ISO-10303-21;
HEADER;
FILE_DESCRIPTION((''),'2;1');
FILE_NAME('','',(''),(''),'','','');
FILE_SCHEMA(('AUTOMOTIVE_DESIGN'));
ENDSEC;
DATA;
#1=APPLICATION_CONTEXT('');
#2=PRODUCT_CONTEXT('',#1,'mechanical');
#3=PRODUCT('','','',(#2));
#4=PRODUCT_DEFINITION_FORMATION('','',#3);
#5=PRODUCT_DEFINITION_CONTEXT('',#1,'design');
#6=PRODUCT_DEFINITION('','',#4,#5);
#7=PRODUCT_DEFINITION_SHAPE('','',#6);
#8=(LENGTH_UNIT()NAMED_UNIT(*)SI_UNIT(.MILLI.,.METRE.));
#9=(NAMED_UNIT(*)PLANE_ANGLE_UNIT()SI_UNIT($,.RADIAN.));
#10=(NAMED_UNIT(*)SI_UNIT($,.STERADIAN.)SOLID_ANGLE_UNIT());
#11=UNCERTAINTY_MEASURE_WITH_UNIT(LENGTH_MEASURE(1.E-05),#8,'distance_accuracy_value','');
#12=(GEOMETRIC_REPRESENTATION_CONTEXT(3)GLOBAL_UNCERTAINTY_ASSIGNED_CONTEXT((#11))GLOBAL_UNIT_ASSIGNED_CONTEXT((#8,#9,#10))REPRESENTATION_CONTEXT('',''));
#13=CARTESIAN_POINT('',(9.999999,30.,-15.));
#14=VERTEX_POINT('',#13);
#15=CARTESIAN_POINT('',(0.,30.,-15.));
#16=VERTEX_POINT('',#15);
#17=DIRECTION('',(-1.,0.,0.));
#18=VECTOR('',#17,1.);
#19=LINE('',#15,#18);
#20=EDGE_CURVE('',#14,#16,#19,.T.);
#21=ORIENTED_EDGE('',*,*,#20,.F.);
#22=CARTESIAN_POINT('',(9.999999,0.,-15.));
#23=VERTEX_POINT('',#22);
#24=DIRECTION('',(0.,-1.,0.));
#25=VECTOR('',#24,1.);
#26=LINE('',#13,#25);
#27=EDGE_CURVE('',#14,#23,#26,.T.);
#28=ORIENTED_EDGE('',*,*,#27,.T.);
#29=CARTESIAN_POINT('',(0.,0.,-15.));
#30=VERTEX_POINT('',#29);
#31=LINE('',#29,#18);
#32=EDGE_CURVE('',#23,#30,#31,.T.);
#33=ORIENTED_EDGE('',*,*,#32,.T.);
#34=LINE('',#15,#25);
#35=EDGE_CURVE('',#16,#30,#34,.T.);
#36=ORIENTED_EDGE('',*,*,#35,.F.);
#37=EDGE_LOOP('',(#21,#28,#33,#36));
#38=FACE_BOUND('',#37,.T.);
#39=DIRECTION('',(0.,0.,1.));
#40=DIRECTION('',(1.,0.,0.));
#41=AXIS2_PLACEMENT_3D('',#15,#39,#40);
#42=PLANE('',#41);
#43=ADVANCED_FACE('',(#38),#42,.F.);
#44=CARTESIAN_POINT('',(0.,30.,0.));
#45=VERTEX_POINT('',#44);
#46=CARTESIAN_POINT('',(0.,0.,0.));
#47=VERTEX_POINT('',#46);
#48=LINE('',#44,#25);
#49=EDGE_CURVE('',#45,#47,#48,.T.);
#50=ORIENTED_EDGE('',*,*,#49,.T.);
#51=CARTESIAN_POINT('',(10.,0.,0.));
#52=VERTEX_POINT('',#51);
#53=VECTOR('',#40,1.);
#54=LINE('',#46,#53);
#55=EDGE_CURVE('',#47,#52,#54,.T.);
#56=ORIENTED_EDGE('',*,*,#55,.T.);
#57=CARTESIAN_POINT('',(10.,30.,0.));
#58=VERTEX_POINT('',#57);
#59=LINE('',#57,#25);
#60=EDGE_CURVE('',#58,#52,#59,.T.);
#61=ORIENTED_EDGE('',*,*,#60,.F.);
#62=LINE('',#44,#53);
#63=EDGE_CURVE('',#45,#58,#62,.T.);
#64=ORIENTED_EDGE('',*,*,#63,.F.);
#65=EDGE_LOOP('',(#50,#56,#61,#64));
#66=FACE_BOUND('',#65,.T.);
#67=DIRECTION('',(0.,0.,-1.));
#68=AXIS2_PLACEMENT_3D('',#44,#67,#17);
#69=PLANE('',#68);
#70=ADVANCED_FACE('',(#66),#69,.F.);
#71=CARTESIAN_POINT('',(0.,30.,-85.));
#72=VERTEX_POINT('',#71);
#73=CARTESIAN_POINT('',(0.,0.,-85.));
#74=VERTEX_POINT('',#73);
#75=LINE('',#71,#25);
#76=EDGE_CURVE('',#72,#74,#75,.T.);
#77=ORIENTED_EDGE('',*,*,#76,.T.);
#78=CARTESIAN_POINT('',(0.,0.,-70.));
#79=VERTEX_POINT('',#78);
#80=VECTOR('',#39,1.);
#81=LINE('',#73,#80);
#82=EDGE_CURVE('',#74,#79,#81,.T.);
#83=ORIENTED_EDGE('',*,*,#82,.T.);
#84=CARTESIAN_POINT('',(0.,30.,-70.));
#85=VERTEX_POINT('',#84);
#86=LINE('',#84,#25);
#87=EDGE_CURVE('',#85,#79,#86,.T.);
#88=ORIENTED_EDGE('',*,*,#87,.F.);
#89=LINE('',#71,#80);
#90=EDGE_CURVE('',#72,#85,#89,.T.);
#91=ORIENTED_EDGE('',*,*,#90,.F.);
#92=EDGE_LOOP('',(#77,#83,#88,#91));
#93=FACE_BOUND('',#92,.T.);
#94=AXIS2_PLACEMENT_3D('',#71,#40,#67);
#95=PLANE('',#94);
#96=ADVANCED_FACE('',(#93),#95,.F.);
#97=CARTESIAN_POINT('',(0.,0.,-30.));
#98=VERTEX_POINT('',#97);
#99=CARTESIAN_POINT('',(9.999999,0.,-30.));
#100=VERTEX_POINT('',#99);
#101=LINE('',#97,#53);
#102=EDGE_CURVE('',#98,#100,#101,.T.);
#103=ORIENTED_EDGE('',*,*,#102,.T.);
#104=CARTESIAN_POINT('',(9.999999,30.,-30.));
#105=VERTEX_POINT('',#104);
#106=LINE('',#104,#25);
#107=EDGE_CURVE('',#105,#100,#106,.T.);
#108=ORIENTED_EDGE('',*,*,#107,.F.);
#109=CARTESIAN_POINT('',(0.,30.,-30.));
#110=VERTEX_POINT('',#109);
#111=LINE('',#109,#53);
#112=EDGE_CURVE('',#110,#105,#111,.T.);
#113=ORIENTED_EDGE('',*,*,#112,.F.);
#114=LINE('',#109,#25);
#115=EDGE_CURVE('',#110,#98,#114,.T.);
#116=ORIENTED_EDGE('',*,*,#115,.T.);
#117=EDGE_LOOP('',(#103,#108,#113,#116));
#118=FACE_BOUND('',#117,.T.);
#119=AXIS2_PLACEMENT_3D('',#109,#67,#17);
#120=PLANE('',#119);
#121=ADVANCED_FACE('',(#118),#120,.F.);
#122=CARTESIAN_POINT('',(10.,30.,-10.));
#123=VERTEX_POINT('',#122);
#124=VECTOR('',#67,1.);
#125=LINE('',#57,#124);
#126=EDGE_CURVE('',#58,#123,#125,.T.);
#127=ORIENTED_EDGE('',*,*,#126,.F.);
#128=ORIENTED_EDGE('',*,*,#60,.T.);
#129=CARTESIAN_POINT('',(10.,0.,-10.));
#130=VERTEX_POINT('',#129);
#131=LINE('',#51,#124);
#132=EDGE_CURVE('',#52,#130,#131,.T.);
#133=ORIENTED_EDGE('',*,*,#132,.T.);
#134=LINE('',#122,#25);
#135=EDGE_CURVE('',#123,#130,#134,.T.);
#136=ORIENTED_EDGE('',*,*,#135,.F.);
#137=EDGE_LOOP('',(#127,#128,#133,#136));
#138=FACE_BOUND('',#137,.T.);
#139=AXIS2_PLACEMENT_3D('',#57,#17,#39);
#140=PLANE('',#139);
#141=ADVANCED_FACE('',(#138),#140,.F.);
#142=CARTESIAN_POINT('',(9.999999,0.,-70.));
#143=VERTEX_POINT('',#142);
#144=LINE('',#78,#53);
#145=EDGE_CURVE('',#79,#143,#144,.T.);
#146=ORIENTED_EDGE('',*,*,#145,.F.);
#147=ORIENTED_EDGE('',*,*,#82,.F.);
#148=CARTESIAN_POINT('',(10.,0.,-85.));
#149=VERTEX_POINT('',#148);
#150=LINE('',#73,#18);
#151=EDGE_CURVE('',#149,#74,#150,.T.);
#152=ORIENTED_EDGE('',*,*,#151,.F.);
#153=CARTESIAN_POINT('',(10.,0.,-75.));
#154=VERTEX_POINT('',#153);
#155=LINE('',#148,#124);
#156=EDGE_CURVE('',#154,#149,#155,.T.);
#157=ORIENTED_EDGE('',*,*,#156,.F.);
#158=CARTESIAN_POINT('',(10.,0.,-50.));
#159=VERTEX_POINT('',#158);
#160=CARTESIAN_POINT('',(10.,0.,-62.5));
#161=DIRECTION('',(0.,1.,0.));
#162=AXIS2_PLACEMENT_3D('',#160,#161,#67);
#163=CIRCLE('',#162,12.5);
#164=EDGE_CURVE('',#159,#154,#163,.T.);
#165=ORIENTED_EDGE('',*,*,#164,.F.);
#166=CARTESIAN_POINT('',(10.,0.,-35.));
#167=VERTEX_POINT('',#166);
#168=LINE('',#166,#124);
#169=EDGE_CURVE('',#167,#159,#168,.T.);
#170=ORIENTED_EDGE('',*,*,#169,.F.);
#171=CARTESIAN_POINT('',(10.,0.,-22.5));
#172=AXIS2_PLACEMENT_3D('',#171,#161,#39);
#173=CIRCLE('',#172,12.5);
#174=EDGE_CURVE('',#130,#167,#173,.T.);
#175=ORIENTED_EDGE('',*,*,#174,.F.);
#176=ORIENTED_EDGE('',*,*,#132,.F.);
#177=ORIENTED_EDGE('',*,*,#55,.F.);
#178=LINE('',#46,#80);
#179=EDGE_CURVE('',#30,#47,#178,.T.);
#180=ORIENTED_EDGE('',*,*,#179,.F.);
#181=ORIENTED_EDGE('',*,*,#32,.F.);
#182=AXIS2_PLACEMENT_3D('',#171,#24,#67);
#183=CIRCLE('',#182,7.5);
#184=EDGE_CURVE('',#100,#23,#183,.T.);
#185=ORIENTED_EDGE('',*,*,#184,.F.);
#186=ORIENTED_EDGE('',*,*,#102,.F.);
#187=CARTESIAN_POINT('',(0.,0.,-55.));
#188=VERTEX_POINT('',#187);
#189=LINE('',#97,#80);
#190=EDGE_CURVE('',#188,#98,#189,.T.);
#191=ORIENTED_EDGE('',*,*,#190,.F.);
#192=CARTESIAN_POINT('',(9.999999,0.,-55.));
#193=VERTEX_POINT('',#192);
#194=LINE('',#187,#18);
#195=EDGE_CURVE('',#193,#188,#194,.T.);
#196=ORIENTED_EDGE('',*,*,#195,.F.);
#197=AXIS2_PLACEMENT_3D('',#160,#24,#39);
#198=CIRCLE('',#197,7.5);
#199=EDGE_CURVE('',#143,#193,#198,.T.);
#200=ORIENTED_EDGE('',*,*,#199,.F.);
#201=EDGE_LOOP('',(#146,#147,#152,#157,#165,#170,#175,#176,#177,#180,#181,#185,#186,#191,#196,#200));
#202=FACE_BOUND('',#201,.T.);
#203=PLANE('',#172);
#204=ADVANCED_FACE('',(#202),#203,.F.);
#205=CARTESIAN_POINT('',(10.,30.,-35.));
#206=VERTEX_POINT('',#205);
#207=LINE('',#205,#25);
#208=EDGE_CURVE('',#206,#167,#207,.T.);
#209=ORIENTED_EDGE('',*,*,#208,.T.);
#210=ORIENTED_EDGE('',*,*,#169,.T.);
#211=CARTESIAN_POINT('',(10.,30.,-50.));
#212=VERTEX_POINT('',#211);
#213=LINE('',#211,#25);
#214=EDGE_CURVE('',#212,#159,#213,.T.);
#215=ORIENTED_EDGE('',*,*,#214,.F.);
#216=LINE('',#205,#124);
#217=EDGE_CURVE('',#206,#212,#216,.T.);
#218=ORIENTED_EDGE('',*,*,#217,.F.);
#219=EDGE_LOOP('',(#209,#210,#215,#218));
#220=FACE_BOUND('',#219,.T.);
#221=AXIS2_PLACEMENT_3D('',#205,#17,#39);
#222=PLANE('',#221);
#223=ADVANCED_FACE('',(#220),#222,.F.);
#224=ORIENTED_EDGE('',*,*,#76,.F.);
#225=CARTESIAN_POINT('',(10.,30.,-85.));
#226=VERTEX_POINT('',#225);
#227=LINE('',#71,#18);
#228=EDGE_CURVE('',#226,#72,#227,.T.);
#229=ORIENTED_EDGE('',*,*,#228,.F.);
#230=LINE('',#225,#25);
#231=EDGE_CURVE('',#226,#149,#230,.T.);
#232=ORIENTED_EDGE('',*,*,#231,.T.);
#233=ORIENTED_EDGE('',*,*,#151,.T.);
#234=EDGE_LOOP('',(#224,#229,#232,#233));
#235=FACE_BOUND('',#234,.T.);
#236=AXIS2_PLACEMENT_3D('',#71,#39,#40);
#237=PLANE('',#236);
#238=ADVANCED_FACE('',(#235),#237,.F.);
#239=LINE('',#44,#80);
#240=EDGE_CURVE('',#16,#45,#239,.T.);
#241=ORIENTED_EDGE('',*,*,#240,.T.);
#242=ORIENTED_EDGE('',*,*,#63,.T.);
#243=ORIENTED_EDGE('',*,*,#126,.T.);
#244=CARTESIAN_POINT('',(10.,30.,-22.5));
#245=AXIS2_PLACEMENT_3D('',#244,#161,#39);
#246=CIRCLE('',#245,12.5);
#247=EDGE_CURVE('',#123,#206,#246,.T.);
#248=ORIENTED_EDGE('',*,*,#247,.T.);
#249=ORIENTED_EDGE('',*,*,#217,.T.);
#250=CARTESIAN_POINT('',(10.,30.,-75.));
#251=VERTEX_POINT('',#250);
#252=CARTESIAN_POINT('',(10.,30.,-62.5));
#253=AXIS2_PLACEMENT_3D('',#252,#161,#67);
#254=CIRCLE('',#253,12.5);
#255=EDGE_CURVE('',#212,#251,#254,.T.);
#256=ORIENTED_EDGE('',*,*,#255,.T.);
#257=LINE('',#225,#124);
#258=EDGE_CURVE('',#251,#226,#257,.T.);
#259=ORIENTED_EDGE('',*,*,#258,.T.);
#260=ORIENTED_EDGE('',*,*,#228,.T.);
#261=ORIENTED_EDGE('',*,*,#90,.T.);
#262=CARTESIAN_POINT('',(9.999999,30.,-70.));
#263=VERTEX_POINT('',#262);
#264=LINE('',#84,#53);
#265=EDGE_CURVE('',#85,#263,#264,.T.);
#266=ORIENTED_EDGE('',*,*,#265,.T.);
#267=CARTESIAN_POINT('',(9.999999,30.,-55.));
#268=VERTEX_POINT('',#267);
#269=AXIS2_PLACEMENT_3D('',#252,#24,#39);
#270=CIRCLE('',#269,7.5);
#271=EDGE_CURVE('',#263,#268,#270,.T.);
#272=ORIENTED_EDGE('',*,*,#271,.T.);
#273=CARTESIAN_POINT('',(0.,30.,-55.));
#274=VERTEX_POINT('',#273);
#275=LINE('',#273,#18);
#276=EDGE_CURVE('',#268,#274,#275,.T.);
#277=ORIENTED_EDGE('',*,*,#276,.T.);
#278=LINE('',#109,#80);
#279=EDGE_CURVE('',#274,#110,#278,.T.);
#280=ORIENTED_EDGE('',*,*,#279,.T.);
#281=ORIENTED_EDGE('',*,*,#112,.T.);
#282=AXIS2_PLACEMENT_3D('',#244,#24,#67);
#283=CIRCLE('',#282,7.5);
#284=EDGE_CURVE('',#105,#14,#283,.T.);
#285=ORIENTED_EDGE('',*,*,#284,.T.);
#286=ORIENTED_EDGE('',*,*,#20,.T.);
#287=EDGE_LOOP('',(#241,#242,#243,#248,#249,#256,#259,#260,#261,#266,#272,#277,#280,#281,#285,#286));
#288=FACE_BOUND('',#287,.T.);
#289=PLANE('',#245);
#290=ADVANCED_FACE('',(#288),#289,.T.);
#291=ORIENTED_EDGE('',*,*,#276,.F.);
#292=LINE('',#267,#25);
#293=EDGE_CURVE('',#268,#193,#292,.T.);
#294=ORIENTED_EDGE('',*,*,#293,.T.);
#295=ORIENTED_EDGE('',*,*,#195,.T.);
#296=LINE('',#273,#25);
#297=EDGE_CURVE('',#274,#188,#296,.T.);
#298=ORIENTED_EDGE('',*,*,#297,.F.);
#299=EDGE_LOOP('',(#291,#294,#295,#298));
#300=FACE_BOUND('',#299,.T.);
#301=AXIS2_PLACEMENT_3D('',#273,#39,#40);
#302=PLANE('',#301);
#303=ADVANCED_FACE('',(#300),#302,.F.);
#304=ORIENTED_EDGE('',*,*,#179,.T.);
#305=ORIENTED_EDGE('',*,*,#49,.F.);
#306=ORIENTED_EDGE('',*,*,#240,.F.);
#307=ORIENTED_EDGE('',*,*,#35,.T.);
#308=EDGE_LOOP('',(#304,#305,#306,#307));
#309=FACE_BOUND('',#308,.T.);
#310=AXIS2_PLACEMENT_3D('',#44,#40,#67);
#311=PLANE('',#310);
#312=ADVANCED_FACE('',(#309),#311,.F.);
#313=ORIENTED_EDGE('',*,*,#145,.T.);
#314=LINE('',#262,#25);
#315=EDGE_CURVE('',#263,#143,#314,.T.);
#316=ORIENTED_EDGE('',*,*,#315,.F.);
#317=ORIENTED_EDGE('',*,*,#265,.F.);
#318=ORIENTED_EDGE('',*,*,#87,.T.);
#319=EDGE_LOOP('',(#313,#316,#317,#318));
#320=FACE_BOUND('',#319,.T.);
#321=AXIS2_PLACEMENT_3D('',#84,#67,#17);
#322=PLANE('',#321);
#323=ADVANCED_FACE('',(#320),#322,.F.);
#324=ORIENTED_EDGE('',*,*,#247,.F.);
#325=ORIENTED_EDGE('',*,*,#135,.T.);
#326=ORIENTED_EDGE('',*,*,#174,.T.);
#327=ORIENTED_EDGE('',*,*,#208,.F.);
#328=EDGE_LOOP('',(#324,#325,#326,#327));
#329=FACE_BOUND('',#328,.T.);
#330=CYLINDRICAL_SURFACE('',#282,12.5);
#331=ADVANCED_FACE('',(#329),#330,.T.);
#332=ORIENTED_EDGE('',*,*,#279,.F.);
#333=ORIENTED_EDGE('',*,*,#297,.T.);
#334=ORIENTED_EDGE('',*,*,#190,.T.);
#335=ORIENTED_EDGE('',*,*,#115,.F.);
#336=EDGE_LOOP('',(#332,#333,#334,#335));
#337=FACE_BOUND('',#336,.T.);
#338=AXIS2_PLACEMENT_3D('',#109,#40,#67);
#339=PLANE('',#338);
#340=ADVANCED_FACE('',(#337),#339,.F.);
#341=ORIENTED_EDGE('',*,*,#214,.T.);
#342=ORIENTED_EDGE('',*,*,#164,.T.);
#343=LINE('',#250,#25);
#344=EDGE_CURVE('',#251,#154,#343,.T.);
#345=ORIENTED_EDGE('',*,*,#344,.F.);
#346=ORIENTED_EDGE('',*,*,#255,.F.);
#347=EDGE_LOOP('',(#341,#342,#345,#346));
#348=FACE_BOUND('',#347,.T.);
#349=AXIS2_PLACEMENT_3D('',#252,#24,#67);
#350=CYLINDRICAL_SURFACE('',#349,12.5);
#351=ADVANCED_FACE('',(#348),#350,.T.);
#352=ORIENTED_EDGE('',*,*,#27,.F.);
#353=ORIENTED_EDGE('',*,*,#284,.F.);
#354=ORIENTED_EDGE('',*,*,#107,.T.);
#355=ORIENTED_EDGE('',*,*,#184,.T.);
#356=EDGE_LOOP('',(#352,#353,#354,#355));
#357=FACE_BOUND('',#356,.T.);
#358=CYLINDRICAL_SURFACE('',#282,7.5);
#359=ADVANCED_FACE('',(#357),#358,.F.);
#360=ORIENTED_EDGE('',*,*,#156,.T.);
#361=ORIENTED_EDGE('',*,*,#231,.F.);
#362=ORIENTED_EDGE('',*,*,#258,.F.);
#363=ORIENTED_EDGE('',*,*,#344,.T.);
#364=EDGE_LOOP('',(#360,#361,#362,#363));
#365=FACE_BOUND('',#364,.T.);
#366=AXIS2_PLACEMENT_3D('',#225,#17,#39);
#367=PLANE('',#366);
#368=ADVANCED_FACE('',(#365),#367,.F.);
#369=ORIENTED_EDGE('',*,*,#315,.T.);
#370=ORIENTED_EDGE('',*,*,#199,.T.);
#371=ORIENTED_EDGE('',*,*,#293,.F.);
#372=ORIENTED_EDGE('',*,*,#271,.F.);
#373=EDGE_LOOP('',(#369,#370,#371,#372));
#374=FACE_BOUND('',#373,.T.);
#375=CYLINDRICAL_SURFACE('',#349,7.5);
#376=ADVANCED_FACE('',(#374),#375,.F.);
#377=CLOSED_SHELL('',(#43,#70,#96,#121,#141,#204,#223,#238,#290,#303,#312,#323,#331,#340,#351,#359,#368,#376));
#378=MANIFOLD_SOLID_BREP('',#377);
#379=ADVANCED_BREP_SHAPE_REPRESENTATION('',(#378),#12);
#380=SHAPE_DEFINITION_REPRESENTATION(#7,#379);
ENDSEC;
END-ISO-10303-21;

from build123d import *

# Parameters (mm, degrees)
BOSS_EXTRUDE1_DEPTH = 30


with BuildPart() as part:
    # Sketch2 → Boss-Extrude1 (new body)
    with BuildSketch(Plane(origin=(0, 0, 0), x_dir=(1, 0, 0), z_dir=(0, 1, 0))):
        with BuildLine():
            Line((0, 0), (0, 15))
            Line((0, 15), (9.999999101, 15))
            ThreePointArc((9.999999101, 15), (17.5, 22.5), (9.999999101, 30))
            Line((9.999999101, 30), (0, 30))
            Line((0, 30), (0, 55))
            Line((0, 55), (9.999999101, 55))
            ThreePointArc((9.999999101, 55), (17.5, 62.5), (9.999999101, 70))
            Line((9.999999101, 70), (0, 70))
            Line((0, 70), (0, 85))
            Line((0, 85), (10, 85))
            Line((10, 85), (10, 75))
            ThreePointArc((10, 75), (22.5, 62.5), (10, 50))
            Line((10, 50), (10, 35))
            ThreePointArc((10, 35), (22.5, 22.5), (10, 10))
            Line((10, 10), (10, 0))
            Line((10, 0), (0, 0))
        make_face()
    extrude(amount=BOSS_EXTRUDE1_DEPTH)


solid = part.part
